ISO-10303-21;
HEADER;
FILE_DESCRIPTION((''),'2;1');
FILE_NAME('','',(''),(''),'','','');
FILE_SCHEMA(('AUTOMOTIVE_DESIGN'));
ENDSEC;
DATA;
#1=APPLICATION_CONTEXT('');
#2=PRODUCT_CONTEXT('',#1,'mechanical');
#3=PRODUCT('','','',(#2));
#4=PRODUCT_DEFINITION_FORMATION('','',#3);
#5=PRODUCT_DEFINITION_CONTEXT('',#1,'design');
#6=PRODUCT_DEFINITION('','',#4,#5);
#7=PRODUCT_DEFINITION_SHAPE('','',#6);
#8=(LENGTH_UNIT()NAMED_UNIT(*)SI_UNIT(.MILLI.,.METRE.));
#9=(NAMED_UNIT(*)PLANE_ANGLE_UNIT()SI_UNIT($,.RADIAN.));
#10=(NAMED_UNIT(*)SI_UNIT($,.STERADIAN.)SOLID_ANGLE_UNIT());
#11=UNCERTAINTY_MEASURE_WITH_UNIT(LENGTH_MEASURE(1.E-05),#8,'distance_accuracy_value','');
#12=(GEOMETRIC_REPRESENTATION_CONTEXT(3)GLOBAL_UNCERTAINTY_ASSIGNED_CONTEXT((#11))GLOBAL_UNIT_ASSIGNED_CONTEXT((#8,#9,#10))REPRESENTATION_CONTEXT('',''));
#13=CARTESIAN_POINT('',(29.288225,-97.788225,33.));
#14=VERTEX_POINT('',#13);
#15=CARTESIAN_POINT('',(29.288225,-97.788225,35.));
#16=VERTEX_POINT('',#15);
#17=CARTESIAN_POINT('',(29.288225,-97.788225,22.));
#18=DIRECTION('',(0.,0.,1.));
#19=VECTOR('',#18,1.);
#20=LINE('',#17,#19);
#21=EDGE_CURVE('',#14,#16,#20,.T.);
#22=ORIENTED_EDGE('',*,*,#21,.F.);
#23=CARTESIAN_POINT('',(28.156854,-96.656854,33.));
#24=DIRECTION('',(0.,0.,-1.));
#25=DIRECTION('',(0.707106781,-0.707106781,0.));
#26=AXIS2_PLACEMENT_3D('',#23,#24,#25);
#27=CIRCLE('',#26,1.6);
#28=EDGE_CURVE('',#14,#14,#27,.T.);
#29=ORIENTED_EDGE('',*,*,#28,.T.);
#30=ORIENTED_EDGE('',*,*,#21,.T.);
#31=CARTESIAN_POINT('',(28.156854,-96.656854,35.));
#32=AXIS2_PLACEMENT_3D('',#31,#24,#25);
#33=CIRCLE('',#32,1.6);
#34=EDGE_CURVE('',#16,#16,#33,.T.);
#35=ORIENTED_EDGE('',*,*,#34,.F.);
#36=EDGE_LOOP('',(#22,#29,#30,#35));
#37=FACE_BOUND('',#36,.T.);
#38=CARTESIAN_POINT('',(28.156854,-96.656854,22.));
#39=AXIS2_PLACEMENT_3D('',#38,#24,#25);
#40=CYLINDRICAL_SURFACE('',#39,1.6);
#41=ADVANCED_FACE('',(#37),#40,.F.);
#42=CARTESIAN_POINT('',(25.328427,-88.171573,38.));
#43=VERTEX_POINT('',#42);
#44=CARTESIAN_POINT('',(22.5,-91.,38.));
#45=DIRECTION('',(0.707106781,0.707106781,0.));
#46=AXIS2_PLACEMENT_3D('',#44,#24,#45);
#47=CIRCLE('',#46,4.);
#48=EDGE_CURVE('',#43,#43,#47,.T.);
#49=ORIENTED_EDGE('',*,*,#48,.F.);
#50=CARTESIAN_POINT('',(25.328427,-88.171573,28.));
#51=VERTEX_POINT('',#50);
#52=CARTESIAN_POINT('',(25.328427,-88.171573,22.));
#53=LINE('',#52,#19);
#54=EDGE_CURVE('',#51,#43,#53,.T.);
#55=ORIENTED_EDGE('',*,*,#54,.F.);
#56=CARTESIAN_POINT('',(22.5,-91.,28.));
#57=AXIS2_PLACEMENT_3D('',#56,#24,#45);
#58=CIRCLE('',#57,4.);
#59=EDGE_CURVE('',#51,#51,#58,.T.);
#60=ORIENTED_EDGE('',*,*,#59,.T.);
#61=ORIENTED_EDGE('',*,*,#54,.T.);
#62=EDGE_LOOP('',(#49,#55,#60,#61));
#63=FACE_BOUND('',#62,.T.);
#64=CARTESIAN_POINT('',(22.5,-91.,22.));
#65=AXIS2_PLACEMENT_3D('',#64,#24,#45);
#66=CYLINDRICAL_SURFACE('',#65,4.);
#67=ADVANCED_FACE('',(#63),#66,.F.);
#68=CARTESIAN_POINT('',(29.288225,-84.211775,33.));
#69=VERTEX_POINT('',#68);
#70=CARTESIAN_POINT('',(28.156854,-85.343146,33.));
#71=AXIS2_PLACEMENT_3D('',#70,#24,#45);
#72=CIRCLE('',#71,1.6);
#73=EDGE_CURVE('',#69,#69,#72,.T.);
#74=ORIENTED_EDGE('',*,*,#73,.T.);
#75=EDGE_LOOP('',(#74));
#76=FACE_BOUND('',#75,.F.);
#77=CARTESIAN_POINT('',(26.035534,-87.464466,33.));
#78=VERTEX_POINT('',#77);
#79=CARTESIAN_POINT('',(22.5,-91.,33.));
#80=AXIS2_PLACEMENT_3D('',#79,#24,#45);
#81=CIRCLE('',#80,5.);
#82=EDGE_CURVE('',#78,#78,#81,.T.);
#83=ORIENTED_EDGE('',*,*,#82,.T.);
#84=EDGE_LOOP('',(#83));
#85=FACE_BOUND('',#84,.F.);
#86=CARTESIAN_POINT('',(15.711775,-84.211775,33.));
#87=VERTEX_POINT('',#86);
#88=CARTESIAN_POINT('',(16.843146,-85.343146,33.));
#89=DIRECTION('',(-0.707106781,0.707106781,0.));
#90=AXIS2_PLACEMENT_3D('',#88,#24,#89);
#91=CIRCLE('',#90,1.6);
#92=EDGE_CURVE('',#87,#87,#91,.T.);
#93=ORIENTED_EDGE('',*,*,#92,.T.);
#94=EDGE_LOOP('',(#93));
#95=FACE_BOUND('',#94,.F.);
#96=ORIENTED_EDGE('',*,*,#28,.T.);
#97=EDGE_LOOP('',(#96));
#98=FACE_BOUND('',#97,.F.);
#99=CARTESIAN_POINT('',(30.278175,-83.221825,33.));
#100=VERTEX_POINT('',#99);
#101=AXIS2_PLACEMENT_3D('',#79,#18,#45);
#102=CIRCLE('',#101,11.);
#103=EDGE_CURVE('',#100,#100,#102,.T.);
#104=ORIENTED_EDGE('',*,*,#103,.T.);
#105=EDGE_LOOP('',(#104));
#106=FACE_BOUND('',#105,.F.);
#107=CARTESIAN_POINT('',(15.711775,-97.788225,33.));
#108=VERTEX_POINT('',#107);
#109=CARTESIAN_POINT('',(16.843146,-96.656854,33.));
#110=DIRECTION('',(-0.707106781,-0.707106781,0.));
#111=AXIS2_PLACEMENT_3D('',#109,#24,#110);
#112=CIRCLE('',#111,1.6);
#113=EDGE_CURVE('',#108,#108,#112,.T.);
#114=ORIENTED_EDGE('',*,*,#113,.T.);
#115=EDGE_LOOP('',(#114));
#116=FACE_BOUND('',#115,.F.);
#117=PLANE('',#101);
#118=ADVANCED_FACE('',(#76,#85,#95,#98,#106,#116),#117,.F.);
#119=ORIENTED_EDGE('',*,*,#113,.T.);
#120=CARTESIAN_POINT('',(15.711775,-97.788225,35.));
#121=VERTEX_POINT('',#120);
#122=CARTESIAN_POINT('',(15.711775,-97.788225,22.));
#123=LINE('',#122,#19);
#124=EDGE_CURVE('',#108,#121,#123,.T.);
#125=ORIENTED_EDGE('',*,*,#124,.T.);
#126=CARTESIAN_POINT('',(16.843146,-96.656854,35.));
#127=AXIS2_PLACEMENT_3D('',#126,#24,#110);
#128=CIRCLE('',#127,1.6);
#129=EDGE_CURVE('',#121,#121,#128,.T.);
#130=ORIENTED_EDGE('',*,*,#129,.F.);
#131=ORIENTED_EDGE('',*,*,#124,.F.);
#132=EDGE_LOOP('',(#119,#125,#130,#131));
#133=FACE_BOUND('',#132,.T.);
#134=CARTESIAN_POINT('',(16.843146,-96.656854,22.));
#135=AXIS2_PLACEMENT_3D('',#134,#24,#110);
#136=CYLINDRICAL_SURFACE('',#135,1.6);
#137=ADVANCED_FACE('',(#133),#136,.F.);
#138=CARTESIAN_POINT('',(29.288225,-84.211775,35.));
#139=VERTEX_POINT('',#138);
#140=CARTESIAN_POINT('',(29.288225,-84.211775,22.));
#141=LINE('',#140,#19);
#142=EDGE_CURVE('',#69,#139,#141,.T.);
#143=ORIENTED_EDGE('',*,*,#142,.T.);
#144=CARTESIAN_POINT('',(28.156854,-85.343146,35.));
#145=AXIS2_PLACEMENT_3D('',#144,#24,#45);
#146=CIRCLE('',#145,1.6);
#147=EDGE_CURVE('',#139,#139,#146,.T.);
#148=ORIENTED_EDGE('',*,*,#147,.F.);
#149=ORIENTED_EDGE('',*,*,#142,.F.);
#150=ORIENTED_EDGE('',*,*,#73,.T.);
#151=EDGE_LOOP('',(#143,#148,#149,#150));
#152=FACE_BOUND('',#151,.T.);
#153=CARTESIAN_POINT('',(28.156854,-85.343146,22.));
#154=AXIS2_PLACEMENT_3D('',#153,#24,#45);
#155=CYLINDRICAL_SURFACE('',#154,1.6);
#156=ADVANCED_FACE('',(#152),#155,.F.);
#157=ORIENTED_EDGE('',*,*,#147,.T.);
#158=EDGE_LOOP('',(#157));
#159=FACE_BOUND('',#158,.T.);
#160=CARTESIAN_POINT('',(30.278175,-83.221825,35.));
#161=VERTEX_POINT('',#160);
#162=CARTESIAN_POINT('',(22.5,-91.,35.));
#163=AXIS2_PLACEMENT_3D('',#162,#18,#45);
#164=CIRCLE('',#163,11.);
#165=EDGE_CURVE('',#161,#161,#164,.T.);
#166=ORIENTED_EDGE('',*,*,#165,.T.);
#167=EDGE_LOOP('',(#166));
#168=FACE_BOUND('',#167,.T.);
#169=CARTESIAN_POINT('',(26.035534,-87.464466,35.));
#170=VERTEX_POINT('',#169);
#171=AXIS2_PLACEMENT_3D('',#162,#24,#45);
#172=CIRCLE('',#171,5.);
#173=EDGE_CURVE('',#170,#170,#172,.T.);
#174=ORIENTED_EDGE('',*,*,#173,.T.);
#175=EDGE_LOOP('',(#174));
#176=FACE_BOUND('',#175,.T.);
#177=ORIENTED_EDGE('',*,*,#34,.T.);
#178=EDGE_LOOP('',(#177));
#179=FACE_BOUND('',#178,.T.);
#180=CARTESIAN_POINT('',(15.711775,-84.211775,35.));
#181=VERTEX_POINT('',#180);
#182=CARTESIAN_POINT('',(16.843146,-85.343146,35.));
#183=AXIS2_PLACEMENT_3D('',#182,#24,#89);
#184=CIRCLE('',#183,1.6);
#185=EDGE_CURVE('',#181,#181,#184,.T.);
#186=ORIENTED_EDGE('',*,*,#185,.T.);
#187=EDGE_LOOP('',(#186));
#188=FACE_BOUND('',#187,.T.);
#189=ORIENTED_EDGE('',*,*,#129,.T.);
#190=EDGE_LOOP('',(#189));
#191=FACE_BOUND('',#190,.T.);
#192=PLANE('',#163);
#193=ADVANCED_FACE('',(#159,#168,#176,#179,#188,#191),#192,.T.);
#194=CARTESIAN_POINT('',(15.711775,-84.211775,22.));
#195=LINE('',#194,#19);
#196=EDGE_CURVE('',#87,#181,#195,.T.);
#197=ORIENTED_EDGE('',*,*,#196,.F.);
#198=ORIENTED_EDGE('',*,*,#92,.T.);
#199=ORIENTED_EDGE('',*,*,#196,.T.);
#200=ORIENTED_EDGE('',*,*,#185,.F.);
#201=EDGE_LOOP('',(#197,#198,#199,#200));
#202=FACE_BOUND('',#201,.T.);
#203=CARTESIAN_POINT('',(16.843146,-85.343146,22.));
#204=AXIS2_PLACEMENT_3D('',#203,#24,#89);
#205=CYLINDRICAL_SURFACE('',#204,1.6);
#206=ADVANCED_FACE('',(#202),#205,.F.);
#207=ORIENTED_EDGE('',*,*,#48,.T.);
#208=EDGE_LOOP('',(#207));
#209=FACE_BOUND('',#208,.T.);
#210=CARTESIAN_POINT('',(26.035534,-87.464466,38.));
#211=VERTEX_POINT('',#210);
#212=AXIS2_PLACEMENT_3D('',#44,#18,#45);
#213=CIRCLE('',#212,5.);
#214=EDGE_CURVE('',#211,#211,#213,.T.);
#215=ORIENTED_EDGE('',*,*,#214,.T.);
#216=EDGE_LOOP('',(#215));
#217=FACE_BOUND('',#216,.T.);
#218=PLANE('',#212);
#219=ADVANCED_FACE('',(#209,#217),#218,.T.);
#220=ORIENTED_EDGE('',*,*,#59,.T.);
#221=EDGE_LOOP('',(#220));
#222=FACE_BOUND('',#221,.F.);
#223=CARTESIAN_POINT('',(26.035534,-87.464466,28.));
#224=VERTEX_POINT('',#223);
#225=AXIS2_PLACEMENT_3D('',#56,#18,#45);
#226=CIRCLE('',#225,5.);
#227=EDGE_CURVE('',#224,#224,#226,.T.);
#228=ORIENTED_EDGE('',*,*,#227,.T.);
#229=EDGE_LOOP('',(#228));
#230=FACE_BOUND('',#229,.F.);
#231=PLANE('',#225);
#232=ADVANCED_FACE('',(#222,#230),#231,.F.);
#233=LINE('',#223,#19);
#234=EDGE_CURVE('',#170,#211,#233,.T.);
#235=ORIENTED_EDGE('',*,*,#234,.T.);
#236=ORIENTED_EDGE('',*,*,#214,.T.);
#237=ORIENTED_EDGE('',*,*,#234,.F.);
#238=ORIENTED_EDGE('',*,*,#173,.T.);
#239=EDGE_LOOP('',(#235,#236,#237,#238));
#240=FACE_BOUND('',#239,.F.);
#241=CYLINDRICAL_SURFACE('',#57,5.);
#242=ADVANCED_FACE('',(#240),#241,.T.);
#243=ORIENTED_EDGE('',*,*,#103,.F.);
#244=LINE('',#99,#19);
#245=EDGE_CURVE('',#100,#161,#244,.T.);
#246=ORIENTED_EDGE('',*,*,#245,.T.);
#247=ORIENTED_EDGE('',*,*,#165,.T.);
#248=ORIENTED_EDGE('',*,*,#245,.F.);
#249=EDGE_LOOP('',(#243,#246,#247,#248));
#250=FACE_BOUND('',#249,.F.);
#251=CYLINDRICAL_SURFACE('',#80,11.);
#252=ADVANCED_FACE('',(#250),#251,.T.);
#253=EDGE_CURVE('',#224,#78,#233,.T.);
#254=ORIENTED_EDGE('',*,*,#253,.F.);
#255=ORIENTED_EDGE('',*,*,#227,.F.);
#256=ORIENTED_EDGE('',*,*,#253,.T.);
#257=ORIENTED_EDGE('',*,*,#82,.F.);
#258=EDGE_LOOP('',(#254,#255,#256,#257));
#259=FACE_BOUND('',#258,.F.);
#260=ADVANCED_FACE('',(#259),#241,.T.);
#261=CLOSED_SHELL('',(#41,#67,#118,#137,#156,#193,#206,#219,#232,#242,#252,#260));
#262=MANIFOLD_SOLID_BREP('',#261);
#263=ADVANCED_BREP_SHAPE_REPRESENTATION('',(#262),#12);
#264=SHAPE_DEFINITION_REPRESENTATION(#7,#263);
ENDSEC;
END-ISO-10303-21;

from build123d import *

# Parameters (mm, degrees)
CYLINDER019_R          = 1.6
CYLINDER019_DEPTH      = 23
ARRAY007_COUNT         = 4
CYLINDER016_R          = 4
CYLINDER016_DEPTH      = 350
CYLINDER018_R          = 5
CYLINDER018_DEPTH      = 10
CYLINDER017_R          = 11
CYLINDER017_DEPTH      = 2
CUT019_PLACEMENT_ANGLE = 45


with BuildPart() as array007:
    # Cylinder019 → Cylinder019 (new body)
    with BuildSketch(Plane(origin=(8, 0, 0), x_dir=(1, 0, 0), z_dir=(0, 0, 1))):
        Circle(CYLINDER019_R)
    extrude(amount=CYLINDER019_DEPTH)

    # Array007: Array007 ×4 about axis
    array007_axis = Axis((0, 0, 0), (0, 0, 1))


with BuildPart() as array007_1:
    add(array007.part)
    for i in range(1, ARRAY007_COUNT):
        add(array007.part.rotate(array007_axis, i * 360 / ARRAY007_COUNT))


with BuildPart() as cilindro016:
    # Cylinder016 → Cylinder016 (new body)
    with BuildSketch(Plane.XY):
        Circle(CYLINDER016_R)
    extrude(amount=CYLINDER016_DEPTH)


with BuildPart() as interior:
    # Cylinder018 → Cylinder018 (new body)
    with BuildSketch(Plane.XY):
        Circle(CYLINDER018_R)
    extrude(amount=CYLINDER018_DEPTH)


with BuildPart() as rosca_husillo:
    # Cylinder017 → Cylinder017 (new body)
    with BuildSketch(Plane.XY.offset(5)):
        Circle(CYLINDER017_R)
    extrude(amount=CYLINDER017_DEPTH)

    # Fusion018: union interior
    add(interior.part)


with BuildPart() as rosca_husillo_1:
    # Fusion018 placement: moved
    add(rosca_husillo.part.moved(Location((0, 0, 6))))

    # Cut018: cut Cilindro016
    add(cilindro016.part, mode=Mode.SUBTRACT)

    # Cut019: cut Array007
    add(array007_1.part, mode=Mode.SUBTRACT)


with BuildPart() as rosca_husillo_2:
    # Cut019 placement: moved
    add(rosca_husillo_1.part.moved(Location((22.5, -91, 22))).rotate(Axis((22.5, -91, 22), (0, 0, 1)), CUT019_PLACEMENT_ANGLE))


solid = rosca_husillo_2.part
